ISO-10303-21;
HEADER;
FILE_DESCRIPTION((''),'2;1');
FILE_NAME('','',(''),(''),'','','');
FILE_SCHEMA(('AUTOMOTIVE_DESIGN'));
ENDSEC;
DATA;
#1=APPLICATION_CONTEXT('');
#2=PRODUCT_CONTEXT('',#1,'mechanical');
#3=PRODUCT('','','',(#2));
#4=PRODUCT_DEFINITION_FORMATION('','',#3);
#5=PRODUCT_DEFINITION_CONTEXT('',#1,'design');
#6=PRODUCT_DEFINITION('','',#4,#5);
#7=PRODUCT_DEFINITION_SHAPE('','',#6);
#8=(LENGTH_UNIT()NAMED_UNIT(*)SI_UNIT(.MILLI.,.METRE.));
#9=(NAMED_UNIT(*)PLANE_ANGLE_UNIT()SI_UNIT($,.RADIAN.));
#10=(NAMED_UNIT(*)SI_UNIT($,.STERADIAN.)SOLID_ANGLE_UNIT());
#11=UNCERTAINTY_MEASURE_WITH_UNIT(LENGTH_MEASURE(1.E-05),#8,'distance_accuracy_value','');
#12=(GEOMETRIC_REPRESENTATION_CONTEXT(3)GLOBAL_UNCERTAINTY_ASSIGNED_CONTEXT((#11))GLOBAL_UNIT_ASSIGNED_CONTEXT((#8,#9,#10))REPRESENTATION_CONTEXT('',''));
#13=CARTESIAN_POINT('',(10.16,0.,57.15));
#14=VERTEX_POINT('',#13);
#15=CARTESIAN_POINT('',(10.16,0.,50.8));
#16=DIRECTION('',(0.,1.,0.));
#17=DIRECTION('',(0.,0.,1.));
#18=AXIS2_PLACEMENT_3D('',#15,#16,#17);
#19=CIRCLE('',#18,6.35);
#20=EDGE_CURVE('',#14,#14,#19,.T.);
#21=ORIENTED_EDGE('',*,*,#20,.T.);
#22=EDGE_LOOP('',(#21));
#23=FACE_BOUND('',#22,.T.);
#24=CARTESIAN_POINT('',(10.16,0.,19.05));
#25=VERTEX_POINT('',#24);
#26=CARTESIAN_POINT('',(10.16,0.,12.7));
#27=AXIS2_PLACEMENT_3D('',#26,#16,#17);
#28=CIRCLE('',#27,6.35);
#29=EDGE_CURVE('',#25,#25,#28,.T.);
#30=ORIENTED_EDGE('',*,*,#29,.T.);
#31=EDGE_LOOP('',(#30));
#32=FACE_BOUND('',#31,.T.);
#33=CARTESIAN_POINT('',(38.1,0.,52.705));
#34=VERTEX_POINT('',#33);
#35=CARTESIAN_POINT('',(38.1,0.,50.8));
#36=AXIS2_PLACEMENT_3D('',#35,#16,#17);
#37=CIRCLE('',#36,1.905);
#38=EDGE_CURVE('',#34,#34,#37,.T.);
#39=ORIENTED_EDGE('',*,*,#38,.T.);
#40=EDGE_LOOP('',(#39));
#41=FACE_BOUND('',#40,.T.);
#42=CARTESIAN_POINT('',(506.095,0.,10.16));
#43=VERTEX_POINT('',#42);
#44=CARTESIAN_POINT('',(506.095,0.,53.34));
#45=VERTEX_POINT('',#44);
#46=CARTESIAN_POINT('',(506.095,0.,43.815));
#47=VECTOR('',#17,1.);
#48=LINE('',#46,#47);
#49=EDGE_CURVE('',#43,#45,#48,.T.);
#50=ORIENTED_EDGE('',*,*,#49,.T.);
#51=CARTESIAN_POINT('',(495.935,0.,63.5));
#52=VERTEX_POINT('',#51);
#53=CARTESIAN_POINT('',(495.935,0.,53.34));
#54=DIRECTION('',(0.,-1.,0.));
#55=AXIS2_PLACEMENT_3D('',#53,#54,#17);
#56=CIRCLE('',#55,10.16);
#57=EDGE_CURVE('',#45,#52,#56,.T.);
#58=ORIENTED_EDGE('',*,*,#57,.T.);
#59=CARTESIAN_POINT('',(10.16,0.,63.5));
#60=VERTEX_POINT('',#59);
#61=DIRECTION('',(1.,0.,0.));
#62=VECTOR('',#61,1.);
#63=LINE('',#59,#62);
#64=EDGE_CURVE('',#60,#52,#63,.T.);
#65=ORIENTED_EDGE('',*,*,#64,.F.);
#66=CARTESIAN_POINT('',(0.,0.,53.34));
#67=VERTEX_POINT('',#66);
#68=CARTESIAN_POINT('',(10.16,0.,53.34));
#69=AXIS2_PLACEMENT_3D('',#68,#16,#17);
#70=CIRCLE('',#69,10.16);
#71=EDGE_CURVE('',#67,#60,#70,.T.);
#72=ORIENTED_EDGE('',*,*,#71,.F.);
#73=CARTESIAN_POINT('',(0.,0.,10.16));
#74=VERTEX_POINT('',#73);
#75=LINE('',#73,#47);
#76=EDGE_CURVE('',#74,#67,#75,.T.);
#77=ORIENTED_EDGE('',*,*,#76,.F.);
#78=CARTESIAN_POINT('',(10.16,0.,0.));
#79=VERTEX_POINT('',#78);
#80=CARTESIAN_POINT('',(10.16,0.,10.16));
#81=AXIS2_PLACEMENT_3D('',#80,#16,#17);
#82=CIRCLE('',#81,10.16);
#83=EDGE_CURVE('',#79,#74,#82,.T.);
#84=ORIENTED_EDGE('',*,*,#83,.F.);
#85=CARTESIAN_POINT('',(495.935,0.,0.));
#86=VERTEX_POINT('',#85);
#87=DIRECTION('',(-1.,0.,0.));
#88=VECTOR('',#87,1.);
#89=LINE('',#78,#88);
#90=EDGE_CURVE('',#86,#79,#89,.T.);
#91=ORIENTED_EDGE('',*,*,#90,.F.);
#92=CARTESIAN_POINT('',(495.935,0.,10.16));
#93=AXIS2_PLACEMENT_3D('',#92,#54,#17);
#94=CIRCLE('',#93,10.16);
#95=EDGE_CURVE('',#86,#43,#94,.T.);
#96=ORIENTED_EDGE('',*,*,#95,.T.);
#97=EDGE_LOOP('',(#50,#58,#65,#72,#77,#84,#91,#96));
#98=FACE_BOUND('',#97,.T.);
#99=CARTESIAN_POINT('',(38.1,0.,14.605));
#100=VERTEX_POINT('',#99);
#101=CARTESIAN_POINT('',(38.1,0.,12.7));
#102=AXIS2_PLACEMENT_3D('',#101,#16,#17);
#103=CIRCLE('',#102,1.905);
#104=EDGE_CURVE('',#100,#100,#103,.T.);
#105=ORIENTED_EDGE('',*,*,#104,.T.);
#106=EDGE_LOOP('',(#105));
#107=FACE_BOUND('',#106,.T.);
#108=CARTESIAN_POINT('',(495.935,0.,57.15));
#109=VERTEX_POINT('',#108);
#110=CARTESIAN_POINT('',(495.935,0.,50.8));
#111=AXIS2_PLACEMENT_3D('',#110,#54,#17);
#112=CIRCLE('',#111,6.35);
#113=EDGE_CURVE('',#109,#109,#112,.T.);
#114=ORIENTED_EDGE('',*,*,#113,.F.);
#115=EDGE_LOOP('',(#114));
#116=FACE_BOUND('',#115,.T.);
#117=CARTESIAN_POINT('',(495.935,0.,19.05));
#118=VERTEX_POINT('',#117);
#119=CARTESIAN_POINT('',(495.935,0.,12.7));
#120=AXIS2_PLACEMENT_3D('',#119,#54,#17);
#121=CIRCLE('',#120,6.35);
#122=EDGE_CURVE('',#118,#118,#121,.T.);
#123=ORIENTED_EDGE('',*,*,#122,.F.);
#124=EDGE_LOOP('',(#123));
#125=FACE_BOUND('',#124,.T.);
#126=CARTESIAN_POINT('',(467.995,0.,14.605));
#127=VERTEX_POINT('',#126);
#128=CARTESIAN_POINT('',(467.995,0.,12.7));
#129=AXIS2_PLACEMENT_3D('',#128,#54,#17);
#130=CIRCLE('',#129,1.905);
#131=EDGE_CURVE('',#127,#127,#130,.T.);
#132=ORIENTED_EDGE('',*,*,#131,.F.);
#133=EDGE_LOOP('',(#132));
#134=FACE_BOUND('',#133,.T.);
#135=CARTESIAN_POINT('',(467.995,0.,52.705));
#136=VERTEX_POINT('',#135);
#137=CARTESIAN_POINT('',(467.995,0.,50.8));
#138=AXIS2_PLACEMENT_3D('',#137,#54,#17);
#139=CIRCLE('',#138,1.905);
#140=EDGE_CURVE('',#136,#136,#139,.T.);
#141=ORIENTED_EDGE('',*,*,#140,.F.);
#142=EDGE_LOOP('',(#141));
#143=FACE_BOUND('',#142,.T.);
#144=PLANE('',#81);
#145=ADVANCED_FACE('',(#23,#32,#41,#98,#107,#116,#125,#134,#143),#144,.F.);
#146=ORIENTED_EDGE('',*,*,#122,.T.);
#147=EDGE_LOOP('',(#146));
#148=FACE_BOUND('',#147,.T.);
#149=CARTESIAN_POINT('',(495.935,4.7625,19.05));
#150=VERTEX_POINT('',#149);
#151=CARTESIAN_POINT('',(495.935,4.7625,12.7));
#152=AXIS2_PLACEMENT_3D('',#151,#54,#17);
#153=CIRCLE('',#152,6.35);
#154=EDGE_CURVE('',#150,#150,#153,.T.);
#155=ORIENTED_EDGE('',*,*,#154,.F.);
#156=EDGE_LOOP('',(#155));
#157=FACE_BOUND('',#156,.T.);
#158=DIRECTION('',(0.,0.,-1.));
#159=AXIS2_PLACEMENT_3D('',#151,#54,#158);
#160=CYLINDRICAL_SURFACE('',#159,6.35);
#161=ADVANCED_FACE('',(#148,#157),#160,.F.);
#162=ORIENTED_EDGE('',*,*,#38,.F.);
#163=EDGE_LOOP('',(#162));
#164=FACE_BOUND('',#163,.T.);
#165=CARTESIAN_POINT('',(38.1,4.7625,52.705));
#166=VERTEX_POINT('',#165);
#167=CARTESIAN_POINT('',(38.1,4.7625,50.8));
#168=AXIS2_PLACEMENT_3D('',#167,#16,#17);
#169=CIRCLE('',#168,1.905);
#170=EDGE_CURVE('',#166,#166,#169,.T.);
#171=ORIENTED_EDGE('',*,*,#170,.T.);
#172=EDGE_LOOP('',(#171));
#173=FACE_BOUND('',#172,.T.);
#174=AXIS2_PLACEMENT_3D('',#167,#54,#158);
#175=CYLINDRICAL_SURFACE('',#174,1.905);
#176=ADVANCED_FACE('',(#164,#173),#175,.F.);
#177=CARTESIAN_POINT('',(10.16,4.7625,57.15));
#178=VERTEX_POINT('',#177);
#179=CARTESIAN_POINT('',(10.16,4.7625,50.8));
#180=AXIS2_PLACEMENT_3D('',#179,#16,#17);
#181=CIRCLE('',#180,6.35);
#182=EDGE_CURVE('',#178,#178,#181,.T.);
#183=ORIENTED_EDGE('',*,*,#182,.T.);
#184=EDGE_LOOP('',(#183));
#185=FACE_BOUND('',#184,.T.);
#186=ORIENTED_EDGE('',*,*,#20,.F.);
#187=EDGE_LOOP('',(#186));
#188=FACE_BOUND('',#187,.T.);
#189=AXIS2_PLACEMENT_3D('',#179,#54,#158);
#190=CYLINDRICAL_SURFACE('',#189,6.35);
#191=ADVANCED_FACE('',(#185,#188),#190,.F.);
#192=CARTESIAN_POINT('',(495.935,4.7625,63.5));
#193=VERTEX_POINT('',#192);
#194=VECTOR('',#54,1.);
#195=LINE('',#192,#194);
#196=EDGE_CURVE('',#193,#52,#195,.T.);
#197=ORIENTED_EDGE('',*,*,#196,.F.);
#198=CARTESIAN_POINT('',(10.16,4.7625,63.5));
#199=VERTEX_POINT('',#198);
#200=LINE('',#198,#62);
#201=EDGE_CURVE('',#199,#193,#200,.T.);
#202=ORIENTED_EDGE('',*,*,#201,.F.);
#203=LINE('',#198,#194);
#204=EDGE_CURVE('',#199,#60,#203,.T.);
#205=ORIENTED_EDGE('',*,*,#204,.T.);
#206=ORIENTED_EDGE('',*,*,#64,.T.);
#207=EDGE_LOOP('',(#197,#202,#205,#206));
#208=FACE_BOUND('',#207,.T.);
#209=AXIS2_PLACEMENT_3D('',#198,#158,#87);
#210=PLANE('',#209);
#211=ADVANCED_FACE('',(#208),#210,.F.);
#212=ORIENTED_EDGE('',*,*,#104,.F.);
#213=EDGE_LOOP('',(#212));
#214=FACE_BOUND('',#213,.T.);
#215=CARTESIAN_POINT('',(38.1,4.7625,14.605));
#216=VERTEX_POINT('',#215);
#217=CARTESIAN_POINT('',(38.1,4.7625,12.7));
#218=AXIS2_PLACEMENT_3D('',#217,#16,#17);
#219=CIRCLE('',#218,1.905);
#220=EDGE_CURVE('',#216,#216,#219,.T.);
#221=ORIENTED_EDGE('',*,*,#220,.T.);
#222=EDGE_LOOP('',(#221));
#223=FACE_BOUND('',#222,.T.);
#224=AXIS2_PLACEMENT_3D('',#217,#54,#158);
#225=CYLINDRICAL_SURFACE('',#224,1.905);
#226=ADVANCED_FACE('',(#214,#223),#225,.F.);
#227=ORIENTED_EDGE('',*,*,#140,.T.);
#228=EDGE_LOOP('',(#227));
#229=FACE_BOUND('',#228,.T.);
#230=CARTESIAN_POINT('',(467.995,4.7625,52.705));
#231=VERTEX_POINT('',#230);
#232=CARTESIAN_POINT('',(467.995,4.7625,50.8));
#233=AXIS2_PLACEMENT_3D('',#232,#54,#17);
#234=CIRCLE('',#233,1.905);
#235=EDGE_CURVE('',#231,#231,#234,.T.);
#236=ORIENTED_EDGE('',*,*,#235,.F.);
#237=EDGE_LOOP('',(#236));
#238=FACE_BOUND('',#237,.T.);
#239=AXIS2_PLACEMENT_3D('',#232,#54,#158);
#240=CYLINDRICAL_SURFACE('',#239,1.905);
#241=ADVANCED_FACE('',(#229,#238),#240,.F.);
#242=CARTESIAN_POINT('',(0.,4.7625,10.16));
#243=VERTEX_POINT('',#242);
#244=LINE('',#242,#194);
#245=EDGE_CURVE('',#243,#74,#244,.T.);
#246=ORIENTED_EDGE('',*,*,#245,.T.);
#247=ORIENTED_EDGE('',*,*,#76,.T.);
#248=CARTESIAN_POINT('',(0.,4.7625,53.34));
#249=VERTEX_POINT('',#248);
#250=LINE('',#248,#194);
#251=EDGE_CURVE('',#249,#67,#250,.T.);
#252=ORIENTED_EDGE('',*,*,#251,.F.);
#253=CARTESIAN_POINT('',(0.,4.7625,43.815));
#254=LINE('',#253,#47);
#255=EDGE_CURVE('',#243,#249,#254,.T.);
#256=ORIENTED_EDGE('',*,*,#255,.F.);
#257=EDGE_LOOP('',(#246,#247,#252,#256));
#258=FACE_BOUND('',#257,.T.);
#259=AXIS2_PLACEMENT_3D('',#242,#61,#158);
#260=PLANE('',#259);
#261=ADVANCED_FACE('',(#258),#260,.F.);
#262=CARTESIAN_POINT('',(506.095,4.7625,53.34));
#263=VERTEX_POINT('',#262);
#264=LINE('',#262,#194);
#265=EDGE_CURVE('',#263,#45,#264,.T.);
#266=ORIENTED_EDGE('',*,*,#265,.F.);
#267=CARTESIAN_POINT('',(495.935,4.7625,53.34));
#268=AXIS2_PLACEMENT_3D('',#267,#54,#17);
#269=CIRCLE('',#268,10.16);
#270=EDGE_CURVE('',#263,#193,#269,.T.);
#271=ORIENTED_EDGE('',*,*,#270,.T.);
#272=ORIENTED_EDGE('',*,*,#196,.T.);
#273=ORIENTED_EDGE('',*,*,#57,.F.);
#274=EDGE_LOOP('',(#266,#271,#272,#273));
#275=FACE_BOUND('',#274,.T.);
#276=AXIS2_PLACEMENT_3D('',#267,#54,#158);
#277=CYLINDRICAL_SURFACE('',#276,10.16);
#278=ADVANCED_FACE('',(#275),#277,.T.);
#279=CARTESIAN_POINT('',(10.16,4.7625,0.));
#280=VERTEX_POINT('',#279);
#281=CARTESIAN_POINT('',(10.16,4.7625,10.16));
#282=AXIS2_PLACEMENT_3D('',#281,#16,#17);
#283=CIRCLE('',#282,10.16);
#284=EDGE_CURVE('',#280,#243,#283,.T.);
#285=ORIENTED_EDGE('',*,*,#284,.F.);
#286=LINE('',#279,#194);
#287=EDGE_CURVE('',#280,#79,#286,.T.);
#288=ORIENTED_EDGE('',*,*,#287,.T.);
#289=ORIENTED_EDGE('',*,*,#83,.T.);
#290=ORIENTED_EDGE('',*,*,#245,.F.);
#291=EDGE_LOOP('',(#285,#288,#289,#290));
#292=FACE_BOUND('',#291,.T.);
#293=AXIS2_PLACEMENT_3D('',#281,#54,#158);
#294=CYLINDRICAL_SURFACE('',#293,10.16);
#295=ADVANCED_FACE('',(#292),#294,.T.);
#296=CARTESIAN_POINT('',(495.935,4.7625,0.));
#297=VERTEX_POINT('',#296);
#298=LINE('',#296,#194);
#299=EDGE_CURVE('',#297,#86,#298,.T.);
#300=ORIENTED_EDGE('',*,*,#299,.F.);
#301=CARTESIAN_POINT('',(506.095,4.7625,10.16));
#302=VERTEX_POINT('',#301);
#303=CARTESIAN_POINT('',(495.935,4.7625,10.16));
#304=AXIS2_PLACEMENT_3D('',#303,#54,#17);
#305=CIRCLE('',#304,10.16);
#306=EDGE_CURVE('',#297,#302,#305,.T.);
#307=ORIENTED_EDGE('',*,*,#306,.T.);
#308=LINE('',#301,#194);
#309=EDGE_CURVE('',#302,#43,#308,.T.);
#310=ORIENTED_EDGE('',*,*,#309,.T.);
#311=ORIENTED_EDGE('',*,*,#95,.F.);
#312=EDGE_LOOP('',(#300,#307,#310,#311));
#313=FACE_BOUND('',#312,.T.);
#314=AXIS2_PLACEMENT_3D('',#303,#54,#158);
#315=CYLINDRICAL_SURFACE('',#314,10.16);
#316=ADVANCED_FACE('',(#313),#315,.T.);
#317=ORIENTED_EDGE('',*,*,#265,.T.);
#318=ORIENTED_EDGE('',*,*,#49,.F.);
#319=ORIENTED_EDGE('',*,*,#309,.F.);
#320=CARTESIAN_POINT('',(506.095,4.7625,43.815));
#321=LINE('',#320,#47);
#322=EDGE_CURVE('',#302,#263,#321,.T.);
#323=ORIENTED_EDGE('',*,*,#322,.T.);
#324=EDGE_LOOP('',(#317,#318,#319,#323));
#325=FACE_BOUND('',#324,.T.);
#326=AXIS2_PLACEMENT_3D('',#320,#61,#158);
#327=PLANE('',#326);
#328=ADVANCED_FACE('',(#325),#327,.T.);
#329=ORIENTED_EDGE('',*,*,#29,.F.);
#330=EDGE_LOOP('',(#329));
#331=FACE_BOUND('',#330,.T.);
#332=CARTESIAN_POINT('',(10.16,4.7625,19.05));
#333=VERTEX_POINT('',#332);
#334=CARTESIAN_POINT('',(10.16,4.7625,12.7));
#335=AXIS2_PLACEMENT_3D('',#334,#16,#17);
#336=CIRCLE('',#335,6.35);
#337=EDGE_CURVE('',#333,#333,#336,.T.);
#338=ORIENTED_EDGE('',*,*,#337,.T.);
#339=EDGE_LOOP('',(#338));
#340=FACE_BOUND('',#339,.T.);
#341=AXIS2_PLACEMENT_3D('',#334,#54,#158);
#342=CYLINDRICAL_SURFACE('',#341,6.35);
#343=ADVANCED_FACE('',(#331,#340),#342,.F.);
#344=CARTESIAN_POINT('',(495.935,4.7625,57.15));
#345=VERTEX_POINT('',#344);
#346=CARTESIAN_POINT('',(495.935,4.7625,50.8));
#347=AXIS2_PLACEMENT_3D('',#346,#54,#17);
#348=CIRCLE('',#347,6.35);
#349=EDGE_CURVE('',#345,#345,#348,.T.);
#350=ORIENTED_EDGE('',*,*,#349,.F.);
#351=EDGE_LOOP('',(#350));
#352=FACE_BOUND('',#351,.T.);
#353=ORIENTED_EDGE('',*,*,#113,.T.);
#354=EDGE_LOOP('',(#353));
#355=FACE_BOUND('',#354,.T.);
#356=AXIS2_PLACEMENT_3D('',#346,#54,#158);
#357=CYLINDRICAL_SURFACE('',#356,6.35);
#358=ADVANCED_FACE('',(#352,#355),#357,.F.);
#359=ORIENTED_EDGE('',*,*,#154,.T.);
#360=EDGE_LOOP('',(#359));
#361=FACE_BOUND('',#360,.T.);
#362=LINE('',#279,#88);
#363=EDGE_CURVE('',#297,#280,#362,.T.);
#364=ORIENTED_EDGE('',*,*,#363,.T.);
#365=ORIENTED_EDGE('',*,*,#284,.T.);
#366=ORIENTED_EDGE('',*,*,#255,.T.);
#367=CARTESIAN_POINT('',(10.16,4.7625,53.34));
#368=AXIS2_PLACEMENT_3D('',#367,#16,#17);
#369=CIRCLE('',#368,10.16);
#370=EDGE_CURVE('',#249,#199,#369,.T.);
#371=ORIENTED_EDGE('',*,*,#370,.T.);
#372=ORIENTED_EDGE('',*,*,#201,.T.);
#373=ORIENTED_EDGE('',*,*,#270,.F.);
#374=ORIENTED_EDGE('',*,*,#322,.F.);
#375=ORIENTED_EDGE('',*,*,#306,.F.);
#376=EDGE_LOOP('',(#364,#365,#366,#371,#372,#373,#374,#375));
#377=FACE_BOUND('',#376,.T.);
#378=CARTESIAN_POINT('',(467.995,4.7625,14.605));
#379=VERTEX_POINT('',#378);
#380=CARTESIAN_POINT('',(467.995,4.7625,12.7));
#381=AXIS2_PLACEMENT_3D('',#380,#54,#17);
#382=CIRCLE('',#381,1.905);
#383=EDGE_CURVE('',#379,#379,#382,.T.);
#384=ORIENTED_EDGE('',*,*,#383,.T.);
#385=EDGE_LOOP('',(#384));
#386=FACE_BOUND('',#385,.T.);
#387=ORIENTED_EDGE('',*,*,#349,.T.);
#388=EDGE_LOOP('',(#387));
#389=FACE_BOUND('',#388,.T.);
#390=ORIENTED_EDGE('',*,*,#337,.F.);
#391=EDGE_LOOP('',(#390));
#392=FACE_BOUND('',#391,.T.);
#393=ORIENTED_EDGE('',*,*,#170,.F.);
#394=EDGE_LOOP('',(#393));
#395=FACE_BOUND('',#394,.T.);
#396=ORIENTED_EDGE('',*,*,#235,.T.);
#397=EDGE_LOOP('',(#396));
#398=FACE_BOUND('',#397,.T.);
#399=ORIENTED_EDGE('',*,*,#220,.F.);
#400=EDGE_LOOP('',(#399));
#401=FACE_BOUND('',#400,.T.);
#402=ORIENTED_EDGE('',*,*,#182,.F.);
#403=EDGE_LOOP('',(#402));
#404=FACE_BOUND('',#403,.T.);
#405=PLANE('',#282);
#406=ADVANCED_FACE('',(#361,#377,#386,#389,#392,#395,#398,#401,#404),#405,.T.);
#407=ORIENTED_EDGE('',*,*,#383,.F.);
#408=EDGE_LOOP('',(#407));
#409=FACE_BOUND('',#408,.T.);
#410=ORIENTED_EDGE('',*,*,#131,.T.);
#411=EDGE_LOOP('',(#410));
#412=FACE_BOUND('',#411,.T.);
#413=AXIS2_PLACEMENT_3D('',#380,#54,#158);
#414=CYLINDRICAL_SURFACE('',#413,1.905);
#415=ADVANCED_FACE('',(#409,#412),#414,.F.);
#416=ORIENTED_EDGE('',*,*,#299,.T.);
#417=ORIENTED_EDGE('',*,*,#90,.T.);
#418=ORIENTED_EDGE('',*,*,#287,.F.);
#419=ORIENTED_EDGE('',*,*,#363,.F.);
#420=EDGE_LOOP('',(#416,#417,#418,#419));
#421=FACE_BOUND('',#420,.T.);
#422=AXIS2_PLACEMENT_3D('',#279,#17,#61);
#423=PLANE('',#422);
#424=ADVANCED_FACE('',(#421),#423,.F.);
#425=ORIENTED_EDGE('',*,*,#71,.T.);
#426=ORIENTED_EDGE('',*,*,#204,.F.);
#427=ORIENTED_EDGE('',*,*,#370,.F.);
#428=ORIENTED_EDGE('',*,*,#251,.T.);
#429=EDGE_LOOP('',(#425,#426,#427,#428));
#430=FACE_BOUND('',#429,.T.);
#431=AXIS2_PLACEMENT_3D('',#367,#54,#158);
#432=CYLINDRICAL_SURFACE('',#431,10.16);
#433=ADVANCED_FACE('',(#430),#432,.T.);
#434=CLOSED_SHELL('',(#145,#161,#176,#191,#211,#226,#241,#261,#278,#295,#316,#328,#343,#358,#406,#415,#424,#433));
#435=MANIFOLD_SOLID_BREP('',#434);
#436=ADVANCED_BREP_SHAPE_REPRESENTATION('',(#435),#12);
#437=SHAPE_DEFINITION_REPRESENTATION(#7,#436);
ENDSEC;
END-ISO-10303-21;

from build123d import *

# Parameters (mm, degrees)
SKETCH1_R           = 6.35
SKETCH1_R_2         = 1.905
BOSS_EXTRUDE1_DEPTH = 4.7625


with BuildPart() as part:
    # Sketch1 → Boss-Extrude1 (new body)
    with BuildSketch(Plane(origin=(0, 0, 0), x_dir=(1, 0, 0), z_dir=(0, 1, 0))):
        with BuildLine():
            Line((10.16, 0), (253.0475, 0))
            Line((253.0475, 0), (253.0475, -63.5))
            Line((253.0475, -63.5), (10.16, -63.5))
            ThreePointArc((10.16, -63.5), (2.975795103, -60.524204897), (0, -53.34))
            Line((0, -53.34), (0, -43.815))
            Line((0, -43.815), (0, -26.035))
            Line((0, -26.035), (0, -10.16))
            ThreePointArc((0, -10.16), (2.975795103, -2.975795103), (10.16, 0))
        make_face()
        with Locations((10.16, -50.8)):
            Circle(SKETCH1_R, mode=Mode.SUBTRACT)
        with Locations((10.16, -12.7)):
            Circle(SKETCH1_R, mode=Mode.SUBTRACT)
        with Locations((38.1, -50.8)):
            Circle(SKETCH1_R_2, mode=Mode.SUBTRACT)
        with Locations((38.1, -12.7)):
            Circle(SKETCH1_R_2, mode=Mode.SUBTRACT)
    boss_extrude1 = extrude(amount=BOSS_EXTRUDE1_DEPTH)

    # Mirror1: Boss-Extrude1 across plane
    add(boss_extrude1.mirror(Plane(origin=(253.0475, 4.7625, 0), x_dir=(0, 0, 1), z_dir=(-1, 0, 0))))


solid = part.part
